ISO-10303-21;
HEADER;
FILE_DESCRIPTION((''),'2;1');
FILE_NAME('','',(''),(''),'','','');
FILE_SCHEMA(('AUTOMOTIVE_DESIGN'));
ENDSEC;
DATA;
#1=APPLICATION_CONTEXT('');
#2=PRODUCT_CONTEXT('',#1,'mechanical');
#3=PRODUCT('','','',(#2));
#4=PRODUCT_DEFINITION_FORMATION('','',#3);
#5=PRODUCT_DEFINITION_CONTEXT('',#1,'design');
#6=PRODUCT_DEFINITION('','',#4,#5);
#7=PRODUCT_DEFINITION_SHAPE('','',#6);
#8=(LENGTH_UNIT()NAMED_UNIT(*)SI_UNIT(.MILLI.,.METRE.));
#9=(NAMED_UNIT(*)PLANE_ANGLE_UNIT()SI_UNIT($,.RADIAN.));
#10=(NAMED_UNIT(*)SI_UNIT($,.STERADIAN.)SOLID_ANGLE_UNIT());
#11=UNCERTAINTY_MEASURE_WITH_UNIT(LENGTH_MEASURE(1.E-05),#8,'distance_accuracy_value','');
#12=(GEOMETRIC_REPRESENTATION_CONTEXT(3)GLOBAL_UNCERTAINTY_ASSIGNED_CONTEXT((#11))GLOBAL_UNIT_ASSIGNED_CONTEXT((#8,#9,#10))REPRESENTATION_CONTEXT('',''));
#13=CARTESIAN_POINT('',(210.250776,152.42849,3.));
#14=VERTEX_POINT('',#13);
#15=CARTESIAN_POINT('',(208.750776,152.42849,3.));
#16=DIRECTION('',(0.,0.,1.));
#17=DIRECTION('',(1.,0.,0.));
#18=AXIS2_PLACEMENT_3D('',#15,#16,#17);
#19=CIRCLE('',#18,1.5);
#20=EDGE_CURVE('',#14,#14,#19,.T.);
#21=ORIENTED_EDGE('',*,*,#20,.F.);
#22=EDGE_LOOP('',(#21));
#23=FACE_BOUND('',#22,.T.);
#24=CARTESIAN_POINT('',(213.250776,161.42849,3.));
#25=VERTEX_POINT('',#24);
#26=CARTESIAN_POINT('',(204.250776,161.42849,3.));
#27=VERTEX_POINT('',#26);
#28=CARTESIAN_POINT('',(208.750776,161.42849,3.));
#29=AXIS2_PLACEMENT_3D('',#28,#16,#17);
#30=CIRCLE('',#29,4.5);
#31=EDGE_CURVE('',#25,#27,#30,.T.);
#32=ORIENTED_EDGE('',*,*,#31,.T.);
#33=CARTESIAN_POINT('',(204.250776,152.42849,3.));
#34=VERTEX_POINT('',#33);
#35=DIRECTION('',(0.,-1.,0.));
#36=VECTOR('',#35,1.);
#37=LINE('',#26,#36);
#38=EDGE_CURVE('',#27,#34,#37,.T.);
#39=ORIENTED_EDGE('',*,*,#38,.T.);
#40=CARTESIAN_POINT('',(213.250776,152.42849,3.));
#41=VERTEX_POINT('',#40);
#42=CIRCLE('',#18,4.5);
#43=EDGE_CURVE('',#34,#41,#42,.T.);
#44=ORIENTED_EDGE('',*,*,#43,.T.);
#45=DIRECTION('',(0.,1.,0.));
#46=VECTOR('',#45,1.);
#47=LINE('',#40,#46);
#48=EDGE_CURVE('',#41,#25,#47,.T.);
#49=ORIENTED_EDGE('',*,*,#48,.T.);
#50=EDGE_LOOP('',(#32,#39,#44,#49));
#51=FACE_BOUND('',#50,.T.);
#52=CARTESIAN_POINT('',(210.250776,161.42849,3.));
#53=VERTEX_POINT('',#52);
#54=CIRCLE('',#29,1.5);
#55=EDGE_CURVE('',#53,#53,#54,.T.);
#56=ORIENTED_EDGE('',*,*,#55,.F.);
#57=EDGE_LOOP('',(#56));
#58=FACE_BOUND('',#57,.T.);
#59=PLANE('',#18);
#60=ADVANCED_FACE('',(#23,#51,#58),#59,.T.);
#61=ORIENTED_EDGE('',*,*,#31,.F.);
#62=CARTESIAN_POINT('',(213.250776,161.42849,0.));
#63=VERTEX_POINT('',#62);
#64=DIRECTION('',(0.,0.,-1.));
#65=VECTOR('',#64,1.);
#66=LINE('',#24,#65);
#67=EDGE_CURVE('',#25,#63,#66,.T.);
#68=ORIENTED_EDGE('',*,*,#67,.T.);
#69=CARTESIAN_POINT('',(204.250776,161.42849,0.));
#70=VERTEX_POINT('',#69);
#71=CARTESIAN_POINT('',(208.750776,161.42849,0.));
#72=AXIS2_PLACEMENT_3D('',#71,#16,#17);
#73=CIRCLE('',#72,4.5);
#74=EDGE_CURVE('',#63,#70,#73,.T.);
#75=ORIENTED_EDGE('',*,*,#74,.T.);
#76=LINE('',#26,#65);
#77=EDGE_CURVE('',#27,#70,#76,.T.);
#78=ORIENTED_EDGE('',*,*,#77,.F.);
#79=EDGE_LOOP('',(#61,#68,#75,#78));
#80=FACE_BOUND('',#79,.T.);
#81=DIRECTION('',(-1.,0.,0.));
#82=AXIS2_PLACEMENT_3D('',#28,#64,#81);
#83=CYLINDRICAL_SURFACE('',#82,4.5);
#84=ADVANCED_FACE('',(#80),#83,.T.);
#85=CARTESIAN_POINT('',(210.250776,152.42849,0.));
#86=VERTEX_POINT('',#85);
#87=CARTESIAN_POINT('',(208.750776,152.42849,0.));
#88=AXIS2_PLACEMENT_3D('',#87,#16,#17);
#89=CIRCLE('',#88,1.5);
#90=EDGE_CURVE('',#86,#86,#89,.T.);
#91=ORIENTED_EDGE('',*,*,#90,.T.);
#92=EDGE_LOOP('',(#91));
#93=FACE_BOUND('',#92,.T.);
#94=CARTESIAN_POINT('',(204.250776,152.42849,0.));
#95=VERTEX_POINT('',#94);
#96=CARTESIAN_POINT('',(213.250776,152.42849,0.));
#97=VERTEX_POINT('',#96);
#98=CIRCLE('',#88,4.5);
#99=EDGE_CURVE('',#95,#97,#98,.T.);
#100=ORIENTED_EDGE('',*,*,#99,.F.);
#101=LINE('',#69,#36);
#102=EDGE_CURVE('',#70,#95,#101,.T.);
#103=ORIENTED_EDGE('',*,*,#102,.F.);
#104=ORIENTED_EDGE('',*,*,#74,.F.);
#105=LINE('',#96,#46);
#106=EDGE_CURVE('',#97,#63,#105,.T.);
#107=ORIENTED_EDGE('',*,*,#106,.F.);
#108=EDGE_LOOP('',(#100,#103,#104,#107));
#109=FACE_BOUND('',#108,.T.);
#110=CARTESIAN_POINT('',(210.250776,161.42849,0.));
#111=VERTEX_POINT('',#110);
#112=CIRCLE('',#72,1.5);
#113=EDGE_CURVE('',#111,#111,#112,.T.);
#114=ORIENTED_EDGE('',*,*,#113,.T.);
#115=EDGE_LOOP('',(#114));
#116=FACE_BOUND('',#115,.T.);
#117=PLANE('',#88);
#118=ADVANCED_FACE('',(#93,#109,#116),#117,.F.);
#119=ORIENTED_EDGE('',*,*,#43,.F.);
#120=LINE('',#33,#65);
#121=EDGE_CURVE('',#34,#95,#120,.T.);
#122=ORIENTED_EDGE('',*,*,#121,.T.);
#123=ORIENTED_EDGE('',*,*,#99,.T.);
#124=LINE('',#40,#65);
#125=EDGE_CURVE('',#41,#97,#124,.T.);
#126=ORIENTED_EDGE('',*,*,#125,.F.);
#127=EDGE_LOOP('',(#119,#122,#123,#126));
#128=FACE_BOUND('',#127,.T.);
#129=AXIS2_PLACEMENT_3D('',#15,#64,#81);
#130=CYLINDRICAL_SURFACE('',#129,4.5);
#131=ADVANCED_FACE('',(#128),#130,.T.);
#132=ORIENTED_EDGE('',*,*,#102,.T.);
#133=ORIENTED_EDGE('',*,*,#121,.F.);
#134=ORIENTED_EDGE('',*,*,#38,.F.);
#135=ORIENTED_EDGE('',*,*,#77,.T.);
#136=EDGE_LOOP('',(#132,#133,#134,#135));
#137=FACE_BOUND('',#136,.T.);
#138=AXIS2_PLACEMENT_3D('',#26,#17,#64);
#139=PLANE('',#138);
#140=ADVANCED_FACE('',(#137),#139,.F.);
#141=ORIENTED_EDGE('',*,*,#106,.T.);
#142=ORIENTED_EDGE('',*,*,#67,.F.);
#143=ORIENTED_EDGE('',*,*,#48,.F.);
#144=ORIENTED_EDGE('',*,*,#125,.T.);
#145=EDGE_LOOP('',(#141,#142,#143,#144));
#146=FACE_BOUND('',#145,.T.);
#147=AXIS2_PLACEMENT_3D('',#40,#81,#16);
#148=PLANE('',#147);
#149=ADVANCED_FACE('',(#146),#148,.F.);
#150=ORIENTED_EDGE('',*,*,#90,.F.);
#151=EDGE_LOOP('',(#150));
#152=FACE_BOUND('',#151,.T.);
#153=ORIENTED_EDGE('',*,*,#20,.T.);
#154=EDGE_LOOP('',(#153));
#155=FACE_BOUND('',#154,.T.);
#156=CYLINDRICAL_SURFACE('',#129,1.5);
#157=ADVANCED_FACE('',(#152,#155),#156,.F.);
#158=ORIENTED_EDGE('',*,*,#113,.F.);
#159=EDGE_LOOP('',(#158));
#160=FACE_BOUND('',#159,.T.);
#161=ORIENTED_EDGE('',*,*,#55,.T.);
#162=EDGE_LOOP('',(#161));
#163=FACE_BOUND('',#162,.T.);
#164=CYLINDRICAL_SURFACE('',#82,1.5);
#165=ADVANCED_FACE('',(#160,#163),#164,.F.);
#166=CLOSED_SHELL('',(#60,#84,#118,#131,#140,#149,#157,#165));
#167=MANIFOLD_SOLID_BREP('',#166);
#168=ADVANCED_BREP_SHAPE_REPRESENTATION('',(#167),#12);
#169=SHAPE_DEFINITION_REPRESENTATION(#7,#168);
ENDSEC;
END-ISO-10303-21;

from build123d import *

# Parameters (mm, degrees)
MODEL_R                 = 1.5
SALIENTE_EXTRUIR1_DEPTH = 3


with BuildPart() as part:
    # Model → Saliente-Extruir1 (new body)
    with BuildSketch(Plane.XY):
        with BuildLine():
            Line((213.25077615, 152.428489513), (213.25077615, 161.428489513))
            ThreePointArc((213.25077615, 161.428489513), (208.75077615, 165.928489513), (204.25077615, 161.428489513))
            Line((204.25077615, 161.428489513), (204.25077615, 152.428489513))
            ThreePointArc((204.25077615, 152.428489513), (208.75077615, 147.928489513), (213.25077615, 152.428489513))
        make_face()
        with Locations((208.75077615, 152.428489513)):
            Circle(MODEL_R, mode=Mode.SUBTRACT)
        with Locations((208.75077615, 161.428489513)):
            Circle(MODEL_R, mode=Mode.SUBTRACT)
    extrude(amount=SALIENTE_EXTRUIR1_DEPTH)


solid = part.part
